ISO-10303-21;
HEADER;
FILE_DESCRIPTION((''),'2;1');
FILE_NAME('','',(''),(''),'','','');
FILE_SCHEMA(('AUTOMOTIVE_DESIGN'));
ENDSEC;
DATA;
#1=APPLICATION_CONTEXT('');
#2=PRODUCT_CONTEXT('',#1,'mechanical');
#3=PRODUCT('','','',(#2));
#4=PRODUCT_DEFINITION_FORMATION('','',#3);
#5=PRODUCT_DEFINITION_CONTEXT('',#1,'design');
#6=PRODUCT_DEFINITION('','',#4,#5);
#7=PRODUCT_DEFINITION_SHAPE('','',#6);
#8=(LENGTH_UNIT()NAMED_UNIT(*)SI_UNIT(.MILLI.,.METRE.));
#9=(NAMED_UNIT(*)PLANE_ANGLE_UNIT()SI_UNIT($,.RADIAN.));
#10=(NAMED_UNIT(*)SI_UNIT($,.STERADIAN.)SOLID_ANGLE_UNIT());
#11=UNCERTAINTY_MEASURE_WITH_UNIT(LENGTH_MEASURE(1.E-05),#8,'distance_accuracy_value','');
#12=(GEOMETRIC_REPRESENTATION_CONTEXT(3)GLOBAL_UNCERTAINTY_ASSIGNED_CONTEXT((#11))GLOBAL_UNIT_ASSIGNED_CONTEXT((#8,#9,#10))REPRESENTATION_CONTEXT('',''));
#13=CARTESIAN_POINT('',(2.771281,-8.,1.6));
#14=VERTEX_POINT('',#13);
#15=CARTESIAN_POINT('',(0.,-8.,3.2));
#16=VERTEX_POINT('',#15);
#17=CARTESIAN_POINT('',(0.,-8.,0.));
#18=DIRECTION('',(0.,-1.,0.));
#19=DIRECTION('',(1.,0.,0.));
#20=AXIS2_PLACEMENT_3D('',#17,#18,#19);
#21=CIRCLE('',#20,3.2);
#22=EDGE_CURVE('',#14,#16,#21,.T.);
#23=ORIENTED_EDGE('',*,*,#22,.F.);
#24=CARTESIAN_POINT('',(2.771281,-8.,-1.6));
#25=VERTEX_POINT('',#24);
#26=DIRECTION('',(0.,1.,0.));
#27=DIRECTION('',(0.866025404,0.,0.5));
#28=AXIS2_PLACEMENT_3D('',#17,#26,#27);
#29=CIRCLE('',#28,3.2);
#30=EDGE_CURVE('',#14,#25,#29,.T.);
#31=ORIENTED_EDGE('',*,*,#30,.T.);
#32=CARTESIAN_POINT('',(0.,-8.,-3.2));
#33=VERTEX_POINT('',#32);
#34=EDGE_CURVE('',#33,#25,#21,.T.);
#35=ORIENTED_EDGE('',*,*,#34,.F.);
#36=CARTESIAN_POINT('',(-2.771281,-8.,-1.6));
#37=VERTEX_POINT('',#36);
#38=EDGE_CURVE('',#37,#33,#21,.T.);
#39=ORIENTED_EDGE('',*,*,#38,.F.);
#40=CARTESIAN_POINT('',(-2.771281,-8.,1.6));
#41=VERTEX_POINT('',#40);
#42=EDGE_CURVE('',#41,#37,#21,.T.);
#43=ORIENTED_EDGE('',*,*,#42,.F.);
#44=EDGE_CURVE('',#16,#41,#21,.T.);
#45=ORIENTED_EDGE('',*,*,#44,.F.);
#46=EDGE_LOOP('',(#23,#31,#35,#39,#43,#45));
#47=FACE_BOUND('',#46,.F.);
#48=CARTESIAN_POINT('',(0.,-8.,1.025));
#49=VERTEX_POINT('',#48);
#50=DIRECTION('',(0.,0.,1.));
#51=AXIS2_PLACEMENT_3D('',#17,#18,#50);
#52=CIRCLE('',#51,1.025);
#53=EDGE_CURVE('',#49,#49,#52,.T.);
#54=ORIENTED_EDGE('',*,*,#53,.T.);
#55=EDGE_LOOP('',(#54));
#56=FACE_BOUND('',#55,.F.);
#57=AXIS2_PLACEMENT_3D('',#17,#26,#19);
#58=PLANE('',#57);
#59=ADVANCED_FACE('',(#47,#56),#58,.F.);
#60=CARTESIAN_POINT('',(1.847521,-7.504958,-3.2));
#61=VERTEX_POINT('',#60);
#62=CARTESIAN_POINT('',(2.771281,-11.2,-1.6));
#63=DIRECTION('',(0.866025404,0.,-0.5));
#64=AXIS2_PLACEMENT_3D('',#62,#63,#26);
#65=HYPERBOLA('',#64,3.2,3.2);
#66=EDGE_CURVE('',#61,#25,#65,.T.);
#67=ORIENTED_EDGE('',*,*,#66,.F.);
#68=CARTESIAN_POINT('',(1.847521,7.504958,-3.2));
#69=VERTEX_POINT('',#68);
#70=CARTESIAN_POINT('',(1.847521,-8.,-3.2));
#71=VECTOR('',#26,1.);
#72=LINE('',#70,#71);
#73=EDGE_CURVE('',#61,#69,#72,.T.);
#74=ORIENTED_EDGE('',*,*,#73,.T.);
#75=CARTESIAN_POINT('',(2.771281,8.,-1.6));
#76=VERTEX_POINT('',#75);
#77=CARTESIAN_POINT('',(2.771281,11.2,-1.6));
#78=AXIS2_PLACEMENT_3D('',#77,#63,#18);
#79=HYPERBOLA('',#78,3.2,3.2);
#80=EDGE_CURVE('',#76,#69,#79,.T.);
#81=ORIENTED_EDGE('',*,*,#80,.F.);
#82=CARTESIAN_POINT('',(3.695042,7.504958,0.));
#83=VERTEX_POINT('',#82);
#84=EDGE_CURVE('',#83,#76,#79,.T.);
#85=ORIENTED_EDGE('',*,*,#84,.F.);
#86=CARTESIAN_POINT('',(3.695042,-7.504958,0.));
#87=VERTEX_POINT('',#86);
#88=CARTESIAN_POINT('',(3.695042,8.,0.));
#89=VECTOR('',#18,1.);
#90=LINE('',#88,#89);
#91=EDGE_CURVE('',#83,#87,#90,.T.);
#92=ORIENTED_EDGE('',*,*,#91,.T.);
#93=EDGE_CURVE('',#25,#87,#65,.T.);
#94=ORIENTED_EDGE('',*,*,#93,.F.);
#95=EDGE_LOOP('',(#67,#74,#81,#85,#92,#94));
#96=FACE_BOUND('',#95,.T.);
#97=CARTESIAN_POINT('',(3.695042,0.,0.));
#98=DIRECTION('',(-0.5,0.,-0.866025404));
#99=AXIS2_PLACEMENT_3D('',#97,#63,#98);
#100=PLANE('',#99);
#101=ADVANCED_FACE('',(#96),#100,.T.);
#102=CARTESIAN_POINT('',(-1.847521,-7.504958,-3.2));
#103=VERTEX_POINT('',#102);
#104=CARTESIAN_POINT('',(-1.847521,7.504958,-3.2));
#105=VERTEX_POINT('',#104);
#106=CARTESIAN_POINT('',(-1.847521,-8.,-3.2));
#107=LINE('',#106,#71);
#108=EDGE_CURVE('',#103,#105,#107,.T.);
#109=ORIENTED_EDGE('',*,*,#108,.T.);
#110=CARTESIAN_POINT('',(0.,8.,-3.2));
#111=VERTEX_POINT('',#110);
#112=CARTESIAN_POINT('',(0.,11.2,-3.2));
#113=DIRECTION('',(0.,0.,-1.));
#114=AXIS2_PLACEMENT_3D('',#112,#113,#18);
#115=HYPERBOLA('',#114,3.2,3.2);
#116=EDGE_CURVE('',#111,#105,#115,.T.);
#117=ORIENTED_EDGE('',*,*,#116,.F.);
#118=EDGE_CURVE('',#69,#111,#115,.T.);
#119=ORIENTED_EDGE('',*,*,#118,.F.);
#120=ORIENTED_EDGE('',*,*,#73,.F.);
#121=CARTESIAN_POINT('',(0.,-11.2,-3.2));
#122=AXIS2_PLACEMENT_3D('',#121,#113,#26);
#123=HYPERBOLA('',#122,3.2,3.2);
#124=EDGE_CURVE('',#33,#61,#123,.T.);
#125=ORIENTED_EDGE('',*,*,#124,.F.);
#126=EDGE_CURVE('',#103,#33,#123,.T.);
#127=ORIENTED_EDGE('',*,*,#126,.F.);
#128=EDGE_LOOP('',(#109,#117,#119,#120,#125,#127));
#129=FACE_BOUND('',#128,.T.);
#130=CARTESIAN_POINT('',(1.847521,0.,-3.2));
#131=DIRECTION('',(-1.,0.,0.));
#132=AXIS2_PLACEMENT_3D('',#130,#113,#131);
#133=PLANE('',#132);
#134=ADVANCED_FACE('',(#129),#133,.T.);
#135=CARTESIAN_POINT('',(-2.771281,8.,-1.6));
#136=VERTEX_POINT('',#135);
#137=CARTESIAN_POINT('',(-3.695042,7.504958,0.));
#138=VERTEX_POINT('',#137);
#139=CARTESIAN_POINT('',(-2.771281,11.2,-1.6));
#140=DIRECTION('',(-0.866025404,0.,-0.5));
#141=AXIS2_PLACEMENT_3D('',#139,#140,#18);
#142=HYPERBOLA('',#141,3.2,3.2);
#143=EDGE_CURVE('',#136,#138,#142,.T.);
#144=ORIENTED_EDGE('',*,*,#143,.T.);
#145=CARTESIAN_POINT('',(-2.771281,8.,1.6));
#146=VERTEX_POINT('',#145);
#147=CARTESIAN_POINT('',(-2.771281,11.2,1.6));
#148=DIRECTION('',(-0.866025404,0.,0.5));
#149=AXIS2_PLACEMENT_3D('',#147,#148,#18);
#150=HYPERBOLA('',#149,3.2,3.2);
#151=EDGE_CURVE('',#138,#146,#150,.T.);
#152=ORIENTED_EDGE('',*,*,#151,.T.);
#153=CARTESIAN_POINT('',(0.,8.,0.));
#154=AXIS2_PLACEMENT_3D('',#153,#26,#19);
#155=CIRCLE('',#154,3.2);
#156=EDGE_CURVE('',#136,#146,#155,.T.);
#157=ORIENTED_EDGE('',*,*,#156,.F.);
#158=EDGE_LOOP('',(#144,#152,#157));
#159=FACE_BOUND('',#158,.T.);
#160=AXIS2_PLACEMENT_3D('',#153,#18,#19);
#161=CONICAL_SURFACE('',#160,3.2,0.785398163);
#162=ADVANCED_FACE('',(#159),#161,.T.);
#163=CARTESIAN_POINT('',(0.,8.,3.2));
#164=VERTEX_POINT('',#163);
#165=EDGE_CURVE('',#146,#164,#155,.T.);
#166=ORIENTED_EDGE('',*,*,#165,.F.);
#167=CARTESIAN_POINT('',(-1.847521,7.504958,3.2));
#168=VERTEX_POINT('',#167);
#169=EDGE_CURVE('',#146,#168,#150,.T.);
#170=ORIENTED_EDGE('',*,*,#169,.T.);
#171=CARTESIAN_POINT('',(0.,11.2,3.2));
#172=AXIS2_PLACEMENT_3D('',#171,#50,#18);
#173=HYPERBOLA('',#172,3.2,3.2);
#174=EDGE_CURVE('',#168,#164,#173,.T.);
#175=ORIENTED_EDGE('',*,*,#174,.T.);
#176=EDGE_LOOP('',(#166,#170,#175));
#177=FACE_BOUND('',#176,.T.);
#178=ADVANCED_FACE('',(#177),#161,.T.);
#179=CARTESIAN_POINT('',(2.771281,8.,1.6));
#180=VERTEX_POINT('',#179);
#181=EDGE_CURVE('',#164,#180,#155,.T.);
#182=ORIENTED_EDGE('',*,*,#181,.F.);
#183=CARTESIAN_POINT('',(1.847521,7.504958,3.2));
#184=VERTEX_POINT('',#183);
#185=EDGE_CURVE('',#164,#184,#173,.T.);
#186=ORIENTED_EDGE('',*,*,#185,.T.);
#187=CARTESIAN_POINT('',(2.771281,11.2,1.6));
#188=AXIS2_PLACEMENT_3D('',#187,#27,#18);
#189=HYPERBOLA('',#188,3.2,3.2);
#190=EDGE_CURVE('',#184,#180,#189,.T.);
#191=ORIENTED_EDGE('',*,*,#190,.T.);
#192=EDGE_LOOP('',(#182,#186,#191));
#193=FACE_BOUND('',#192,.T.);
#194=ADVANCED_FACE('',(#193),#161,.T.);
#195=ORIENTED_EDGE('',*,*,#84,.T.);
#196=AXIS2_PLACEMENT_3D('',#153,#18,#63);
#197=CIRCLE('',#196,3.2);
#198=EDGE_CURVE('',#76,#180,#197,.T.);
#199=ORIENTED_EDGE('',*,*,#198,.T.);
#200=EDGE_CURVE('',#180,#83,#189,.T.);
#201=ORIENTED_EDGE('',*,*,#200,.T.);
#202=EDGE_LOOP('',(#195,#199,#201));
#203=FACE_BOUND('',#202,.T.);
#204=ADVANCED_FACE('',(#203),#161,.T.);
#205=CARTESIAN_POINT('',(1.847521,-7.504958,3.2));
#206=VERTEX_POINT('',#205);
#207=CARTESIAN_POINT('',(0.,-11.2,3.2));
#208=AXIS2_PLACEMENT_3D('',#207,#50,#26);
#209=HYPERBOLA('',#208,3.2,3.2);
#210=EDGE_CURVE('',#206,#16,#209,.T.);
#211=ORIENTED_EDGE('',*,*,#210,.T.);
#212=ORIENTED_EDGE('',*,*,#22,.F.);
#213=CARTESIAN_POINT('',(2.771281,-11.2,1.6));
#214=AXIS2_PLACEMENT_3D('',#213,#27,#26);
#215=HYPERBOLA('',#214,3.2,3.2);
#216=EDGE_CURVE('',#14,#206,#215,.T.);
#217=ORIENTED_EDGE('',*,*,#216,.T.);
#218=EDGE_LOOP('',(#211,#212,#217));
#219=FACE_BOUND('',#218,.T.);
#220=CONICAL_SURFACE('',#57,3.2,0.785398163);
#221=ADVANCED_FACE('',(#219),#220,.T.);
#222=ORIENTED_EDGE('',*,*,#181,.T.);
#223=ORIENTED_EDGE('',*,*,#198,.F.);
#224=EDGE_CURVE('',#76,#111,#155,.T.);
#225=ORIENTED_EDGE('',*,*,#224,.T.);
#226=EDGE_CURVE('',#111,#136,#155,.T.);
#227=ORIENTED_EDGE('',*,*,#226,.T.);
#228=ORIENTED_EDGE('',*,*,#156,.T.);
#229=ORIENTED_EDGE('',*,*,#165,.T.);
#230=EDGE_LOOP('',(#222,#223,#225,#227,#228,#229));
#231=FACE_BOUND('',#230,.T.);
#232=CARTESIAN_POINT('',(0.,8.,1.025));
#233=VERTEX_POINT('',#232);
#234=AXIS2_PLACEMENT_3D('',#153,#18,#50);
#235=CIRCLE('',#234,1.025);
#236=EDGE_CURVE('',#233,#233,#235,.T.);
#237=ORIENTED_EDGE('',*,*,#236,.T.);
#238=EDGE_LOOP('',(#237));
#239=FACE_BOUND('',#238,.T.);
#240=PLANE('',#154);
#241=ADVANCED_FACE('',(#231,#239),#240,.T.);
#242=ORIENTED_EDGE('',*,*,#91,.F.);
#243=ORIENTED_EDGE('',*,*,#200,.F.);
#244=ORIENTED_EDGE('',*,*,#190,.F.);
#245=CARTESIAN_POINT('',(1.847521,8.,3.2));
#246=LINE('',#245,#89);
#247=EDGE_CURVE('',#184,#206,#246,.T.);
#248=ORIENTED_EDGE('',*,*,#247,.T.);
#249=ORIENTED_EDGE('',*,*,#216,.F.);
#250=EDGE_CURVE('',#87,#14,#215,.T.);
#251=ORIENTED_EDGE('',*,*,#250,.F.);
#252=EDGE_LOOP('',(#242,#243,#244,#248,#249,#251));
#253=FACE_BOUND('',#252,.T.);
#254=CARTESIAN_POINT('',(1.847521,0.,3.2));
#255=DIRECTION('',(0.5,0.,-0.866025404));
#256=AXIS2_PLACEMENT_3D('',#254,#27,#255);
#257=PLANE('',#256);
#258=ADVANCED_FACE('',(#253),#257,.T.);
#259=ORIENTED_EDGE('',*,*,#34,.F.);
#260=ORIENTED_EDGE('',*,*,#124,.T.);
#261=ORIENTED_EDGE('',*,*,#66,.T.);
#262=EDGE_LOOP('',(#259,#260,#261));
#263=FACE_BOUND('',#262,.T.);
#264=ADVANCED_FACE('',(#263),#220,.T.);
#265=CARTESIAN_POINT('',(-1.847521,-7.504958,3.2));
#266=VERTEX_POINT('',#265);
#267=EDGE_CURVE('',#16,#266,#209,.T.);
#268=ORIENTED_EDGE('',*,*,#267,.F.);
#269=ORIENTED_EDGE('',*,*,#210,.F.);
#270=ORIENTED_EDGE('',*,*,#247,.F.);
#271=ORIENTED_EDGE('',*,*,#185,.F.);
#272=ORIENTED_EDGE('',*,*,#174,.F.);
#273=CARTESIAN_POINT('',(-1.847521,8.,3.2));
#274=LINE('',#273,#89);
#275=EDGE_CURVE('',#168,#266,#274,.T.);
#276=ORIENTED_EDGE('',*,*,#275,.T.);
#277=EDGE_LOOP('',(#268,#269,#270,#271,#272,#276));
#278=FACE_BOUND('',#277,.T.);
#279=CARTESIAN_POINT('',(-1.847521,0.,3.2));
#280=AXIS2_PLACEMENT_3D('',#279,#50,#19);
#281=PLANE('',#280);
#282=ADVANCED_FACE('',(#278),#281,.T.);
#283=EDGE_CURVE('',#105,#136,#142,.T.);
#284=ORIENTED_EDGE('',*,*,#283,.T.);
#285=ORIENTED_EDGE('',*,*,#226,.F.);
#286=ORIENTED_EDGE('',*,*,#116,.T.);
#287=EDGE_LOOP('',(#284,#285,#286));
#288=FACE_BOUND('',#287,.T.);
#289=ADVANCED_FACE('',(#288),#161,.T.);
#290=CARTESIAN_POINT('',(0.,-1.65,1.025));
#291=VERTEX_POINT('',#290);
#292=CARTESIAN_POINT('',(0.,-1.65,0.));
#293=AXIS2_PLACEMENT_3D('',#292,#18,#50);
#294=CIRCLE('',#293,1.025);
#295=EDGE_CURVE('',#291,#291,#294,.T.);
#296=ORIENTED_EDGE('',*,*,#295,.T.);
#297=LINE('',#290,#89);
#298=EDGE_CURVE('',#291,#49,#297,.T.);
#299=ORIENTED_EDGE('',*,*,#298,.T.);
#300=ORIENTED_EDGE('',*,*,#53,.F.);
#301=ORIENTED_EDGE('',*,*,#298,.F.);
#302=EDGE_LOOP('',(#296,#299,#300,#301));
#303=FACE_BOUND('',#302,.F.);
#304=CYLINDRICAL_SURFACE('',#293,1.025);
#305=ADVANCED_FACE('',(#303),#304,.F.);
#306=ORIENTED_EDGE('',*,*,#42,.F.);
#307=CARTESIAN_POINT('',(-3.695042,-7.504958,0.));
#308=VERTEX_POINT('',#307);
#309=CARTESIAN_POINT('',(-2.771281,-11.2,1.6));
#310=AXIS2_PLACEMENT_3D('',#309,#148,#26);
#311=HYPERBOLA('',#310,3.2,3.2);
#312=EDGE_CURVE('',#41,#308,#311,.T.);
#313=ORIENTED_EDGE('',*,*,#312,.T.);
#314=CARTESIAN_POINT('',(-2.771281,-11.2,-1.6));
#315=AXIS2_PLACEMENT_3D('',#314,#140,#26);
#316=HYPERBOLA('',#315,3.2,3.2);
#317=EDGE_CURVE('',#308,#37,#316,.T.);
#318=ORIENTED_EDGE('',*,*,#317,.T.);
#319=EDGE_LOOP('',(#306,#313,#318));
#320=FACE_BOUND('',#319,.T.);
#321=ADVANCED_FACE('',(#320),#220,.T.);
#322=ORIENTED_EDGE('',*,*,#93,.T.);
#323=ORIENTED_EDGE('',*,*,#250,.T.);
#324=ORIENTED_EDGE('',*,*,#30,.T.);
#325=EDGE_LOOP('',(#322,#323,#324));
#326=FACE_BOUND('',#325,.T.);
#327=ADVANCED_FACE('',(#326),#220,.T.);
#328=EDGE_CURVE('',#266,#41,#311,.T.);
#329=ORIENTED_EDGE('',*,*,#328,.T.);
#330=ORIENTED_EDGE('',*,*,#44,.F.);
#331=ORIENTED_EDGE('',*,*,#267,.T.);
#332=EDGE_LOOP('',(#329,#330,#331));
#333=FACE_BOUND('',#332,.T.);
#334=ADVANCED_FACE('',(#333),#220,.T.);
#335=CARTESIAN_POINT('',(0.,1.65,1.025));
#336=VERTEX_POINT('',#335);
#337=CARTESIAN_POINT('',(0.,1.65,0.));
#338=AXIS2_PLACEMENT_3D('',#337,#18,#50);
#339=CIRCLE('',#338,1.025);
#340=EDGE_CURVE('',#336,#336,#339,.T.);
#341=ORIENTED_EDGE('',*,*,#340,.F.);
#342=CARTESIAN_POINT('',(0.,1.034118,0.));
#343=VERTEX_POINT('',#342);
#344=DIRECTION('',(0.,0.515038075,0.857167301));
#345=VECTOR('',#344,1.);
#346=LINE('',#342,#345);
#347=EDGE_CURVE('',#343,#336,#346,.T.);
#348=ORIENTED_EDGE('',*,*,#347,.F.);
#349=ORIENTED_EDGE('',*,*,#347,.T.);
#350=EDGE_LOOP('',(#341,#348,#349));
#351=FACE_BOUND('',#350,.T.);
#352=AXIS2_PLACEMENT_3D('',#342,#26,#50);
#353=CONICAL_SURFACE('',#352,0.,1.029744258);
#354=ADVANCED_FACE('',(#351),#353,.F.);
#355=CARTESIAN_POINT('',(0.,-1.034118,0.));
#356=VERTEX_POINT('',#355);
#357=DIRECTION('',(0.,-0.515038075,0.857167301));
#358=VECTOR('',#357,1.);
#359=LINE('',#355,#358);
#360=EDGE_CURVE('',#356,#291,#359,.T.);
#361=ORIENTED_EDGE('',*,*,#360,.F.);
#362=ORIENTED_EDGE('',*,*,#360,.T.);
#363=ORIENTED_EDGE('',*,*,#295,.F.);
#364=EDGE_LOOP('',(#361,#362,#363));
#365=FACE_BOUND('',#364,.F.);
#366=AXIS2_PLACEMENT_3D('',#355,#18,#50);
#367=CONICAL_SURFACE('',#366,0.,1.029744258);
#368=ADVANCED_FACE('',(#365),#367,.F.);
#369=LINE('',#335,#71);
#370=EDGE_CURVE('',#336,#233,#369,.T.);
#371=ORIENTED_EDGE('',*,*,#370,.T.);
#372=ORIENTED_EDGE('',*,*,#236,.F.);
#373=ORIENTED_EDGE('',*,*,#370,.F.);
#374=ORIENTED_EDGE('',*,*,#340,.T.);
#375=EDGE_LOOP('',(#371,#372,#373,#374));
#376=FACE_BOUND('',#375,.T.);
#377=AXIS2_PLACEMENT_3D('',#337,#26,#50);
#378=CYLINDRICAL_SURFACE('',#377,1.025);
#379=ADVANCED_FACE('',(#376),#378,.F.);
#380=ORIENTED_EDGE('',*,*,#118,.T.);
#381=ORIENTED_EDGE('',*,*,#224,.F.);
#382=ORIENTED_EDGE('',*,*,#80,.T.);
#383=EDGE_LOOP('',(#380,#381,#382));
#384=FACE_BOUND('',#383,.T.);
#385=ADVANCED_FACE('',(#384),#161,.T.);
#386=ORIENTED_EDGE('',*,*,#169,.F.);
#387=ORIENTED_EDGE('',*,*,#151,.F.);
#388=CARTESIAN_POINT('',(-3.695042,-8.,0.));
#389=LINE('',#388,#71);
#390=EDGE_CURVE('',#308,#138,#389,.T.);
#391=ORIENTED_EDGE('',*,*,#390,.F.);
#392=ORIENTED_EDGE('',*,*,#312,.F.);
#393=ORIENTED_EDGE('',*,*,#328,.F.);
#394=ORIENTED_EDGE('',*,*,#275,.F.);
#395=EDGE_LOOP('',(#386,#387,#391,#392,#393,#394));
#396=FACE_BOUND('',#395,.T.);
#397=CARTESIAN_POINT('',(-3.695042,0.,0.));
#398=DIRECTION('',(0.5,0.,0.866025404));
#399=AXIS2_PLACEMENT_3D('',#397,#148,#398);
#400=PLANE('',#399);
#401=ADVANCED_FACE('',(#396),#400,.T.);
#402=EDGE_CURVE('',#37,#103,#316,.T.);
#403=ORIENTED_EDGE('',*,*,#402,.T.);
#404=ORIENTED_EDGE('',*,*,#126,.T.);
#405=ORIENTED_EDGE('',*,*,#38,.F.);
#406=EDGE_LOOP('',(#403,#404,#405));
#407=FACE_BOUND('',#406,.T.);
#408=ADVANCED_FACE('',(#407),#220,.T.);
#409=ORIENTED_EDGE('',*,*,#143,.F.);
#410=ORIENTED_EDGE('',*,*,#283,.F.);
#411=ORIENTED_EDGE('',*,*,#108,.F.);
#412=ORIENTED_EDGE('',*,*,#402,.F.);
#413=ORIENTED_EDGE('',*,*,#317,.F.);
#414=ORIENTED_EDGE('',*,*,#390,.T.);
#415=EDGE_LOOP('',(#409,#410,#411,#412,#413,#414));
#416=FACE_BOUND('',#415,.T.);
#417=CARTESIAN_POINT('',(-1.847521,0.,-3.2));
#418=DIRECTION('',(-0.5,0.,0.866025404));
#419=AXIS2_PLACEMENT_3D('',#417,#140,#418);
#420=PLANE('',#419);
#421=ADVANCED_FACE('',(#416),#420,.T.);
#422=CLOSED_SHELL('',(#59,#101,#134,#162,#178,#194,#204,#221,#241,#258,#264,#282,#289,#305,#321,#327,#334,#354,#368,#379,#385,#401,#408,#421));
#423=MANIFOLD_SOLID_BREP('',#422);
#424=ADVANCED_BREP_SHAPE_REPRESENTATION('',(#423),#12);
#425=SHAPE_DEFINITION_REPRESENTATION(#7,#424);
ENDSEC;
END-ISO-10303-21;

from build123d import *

# Parameters (mm, degrees)
BOSS_EXTRUDE1_DEPTH     = 8
SKETCH3_OUTSIDE_W       = 33.14
SKETCH3_OUTSIDE_H       = 32.15
SKETCH3_OUTSIDE_R       = 3.2
CUT_EXTRUDE1_DEPTH      = 10
CUT_EXTRUDE1_DRAFT      = -45
MIRROR2_COPY_1_SKETCH_W = 33.14
MIRROR2_COPY_1_SKETCH_H = 32.15
MIRROR2_COPY_1_SKETCH_R = 3.2
MIRROR2_COPY_1_DEPTH    = 10
MIRROR2_COPY_1_DRAFT    = -45


with BuildPart() as part:
    # Sketch1 → Boss-Extrude1 (new, symmetric)
    with BuildSketch(Plane(origin=(0, 0, 0), x_dir=(1, 0, 0), z_dir=(0, 1, 0))):
        Polygon((3.695041723, 0), (1.847520861, 3.2), (-1.847520861, 3.2), (-3.695041723, 0), (-1.847520861, -3.2), (1.847520861, -3.2), align=None)
    extrude(amount=BOSS_EXTRUDE1_DEPTH, both=True)


with BuildPart() as cut_extrude1_tool:
    # Sketch3 outside → Cut-Extrude1 (with draft: the straight prism first)
    with BuildSketch(Plane(origin=(0, 8, 0), x_dir=(1, 0, 0), z_dir=(0, 1, 0))):
        Rectangle(SKETCH3_OUTSIDE_W, SKETCH3_OUTSIDE_H)
        Circle(SKETCH3_OUTSIDE_R, mode=Mode.SUBTRACT)
    extrude(amount=-CUT_EXTRUDE1_DEPTH)
    # Cut-Extrude1: the draft: its side faces are tilted about the plane it starts from
    cut_extrude1_sides = [cut_extrude1_tool.faces().sort_by_distance(p)[0] for p in [
        (0, 3, 16.075),
        (16.57, 3, 0),
        (0, 3, -16.075),
        (-16.57, 3, 0),
        (-3.2, 3, 0),
    ]]
    draft(cut_extrude1_sides, Plane(origin=(0, 8, 0), x_dir=(1, 0, 0), z_dir=(0, 1, 0)), CUT_EXTRUDE1_DRAFT)


with BuildPart() as part_1:
    add(part.part)

    # Cut-Extrude1: cut by cut_extrude1_tool
    add(cut_extrude1_tool.part, mode=Mode.SUBTRACT)


with BuildPart() as mirror2_copy_1_tool:
    # Mirror2 copy 1 sketch → Mirror2 copy 1 (with draft: the straight prism first)
    with BuildSketch(Plane.XZ.offset(8)):
        Rectangle(MIRROR2_COPY_1_SKETCH_W, MIRROR2_COPY_1_SKETCH_H)
        Circle(MIRROR2_COPY_1_SKETCH_R, mode=Mode.SUBTRACT)
    extrude(amount=-MIRROR2_COPY_1_DEPTH)
    # Mirror2 copy 1: the draft: its side faces are tilted about the plane it starts from
    mirror2_copy_1_sides = [mirror2_copy_1_tool.faces().sort_by_distance(p)[0] for p in [
        (0, -3, 16.075),
        (16.57, -3, 0),
        (0, -3, -16.075),
        (-16.57, -3, 0),
        (-3.2, -3, 0),
    ]]
    draft(mirror2_copy_1_sides, Plane.XZ.offset(8), MIRROR2_COPY_1_DRAFT)


with BuildPart() as part_2:
    add(part_1.part)

    # Mirror2 copy 1: cut by mirror2_copy_1_tool
    add(mirror2_copy_1_tool.part, mode=Mode.SUBTRACT)

    # Sketch2 → M2.5 Tapped Hole1 (revolve, cut)
    with BuildSketch(Plane(origin=(0, 8, 0), x_dir=(0, 0, 1), z_dir=(1, 0, 0))):
        Polygon((0, 0), (0, 6.965882135), (1.025, 6.35), (1.025, 0), align=None)
    m2_5_tapped_hole1 = revolve(axis=Axis((0, 14.35, 0), (0, -1, 0)), mode=Mode.SUBTRACT)

    # Mirror1: M2.5 Tapped Hole1 across plane
    add(m2_5_tapped_hole1.mirror(Plane.ZX), mode=Mode.SUBTRACT)


solid = part_2.part
